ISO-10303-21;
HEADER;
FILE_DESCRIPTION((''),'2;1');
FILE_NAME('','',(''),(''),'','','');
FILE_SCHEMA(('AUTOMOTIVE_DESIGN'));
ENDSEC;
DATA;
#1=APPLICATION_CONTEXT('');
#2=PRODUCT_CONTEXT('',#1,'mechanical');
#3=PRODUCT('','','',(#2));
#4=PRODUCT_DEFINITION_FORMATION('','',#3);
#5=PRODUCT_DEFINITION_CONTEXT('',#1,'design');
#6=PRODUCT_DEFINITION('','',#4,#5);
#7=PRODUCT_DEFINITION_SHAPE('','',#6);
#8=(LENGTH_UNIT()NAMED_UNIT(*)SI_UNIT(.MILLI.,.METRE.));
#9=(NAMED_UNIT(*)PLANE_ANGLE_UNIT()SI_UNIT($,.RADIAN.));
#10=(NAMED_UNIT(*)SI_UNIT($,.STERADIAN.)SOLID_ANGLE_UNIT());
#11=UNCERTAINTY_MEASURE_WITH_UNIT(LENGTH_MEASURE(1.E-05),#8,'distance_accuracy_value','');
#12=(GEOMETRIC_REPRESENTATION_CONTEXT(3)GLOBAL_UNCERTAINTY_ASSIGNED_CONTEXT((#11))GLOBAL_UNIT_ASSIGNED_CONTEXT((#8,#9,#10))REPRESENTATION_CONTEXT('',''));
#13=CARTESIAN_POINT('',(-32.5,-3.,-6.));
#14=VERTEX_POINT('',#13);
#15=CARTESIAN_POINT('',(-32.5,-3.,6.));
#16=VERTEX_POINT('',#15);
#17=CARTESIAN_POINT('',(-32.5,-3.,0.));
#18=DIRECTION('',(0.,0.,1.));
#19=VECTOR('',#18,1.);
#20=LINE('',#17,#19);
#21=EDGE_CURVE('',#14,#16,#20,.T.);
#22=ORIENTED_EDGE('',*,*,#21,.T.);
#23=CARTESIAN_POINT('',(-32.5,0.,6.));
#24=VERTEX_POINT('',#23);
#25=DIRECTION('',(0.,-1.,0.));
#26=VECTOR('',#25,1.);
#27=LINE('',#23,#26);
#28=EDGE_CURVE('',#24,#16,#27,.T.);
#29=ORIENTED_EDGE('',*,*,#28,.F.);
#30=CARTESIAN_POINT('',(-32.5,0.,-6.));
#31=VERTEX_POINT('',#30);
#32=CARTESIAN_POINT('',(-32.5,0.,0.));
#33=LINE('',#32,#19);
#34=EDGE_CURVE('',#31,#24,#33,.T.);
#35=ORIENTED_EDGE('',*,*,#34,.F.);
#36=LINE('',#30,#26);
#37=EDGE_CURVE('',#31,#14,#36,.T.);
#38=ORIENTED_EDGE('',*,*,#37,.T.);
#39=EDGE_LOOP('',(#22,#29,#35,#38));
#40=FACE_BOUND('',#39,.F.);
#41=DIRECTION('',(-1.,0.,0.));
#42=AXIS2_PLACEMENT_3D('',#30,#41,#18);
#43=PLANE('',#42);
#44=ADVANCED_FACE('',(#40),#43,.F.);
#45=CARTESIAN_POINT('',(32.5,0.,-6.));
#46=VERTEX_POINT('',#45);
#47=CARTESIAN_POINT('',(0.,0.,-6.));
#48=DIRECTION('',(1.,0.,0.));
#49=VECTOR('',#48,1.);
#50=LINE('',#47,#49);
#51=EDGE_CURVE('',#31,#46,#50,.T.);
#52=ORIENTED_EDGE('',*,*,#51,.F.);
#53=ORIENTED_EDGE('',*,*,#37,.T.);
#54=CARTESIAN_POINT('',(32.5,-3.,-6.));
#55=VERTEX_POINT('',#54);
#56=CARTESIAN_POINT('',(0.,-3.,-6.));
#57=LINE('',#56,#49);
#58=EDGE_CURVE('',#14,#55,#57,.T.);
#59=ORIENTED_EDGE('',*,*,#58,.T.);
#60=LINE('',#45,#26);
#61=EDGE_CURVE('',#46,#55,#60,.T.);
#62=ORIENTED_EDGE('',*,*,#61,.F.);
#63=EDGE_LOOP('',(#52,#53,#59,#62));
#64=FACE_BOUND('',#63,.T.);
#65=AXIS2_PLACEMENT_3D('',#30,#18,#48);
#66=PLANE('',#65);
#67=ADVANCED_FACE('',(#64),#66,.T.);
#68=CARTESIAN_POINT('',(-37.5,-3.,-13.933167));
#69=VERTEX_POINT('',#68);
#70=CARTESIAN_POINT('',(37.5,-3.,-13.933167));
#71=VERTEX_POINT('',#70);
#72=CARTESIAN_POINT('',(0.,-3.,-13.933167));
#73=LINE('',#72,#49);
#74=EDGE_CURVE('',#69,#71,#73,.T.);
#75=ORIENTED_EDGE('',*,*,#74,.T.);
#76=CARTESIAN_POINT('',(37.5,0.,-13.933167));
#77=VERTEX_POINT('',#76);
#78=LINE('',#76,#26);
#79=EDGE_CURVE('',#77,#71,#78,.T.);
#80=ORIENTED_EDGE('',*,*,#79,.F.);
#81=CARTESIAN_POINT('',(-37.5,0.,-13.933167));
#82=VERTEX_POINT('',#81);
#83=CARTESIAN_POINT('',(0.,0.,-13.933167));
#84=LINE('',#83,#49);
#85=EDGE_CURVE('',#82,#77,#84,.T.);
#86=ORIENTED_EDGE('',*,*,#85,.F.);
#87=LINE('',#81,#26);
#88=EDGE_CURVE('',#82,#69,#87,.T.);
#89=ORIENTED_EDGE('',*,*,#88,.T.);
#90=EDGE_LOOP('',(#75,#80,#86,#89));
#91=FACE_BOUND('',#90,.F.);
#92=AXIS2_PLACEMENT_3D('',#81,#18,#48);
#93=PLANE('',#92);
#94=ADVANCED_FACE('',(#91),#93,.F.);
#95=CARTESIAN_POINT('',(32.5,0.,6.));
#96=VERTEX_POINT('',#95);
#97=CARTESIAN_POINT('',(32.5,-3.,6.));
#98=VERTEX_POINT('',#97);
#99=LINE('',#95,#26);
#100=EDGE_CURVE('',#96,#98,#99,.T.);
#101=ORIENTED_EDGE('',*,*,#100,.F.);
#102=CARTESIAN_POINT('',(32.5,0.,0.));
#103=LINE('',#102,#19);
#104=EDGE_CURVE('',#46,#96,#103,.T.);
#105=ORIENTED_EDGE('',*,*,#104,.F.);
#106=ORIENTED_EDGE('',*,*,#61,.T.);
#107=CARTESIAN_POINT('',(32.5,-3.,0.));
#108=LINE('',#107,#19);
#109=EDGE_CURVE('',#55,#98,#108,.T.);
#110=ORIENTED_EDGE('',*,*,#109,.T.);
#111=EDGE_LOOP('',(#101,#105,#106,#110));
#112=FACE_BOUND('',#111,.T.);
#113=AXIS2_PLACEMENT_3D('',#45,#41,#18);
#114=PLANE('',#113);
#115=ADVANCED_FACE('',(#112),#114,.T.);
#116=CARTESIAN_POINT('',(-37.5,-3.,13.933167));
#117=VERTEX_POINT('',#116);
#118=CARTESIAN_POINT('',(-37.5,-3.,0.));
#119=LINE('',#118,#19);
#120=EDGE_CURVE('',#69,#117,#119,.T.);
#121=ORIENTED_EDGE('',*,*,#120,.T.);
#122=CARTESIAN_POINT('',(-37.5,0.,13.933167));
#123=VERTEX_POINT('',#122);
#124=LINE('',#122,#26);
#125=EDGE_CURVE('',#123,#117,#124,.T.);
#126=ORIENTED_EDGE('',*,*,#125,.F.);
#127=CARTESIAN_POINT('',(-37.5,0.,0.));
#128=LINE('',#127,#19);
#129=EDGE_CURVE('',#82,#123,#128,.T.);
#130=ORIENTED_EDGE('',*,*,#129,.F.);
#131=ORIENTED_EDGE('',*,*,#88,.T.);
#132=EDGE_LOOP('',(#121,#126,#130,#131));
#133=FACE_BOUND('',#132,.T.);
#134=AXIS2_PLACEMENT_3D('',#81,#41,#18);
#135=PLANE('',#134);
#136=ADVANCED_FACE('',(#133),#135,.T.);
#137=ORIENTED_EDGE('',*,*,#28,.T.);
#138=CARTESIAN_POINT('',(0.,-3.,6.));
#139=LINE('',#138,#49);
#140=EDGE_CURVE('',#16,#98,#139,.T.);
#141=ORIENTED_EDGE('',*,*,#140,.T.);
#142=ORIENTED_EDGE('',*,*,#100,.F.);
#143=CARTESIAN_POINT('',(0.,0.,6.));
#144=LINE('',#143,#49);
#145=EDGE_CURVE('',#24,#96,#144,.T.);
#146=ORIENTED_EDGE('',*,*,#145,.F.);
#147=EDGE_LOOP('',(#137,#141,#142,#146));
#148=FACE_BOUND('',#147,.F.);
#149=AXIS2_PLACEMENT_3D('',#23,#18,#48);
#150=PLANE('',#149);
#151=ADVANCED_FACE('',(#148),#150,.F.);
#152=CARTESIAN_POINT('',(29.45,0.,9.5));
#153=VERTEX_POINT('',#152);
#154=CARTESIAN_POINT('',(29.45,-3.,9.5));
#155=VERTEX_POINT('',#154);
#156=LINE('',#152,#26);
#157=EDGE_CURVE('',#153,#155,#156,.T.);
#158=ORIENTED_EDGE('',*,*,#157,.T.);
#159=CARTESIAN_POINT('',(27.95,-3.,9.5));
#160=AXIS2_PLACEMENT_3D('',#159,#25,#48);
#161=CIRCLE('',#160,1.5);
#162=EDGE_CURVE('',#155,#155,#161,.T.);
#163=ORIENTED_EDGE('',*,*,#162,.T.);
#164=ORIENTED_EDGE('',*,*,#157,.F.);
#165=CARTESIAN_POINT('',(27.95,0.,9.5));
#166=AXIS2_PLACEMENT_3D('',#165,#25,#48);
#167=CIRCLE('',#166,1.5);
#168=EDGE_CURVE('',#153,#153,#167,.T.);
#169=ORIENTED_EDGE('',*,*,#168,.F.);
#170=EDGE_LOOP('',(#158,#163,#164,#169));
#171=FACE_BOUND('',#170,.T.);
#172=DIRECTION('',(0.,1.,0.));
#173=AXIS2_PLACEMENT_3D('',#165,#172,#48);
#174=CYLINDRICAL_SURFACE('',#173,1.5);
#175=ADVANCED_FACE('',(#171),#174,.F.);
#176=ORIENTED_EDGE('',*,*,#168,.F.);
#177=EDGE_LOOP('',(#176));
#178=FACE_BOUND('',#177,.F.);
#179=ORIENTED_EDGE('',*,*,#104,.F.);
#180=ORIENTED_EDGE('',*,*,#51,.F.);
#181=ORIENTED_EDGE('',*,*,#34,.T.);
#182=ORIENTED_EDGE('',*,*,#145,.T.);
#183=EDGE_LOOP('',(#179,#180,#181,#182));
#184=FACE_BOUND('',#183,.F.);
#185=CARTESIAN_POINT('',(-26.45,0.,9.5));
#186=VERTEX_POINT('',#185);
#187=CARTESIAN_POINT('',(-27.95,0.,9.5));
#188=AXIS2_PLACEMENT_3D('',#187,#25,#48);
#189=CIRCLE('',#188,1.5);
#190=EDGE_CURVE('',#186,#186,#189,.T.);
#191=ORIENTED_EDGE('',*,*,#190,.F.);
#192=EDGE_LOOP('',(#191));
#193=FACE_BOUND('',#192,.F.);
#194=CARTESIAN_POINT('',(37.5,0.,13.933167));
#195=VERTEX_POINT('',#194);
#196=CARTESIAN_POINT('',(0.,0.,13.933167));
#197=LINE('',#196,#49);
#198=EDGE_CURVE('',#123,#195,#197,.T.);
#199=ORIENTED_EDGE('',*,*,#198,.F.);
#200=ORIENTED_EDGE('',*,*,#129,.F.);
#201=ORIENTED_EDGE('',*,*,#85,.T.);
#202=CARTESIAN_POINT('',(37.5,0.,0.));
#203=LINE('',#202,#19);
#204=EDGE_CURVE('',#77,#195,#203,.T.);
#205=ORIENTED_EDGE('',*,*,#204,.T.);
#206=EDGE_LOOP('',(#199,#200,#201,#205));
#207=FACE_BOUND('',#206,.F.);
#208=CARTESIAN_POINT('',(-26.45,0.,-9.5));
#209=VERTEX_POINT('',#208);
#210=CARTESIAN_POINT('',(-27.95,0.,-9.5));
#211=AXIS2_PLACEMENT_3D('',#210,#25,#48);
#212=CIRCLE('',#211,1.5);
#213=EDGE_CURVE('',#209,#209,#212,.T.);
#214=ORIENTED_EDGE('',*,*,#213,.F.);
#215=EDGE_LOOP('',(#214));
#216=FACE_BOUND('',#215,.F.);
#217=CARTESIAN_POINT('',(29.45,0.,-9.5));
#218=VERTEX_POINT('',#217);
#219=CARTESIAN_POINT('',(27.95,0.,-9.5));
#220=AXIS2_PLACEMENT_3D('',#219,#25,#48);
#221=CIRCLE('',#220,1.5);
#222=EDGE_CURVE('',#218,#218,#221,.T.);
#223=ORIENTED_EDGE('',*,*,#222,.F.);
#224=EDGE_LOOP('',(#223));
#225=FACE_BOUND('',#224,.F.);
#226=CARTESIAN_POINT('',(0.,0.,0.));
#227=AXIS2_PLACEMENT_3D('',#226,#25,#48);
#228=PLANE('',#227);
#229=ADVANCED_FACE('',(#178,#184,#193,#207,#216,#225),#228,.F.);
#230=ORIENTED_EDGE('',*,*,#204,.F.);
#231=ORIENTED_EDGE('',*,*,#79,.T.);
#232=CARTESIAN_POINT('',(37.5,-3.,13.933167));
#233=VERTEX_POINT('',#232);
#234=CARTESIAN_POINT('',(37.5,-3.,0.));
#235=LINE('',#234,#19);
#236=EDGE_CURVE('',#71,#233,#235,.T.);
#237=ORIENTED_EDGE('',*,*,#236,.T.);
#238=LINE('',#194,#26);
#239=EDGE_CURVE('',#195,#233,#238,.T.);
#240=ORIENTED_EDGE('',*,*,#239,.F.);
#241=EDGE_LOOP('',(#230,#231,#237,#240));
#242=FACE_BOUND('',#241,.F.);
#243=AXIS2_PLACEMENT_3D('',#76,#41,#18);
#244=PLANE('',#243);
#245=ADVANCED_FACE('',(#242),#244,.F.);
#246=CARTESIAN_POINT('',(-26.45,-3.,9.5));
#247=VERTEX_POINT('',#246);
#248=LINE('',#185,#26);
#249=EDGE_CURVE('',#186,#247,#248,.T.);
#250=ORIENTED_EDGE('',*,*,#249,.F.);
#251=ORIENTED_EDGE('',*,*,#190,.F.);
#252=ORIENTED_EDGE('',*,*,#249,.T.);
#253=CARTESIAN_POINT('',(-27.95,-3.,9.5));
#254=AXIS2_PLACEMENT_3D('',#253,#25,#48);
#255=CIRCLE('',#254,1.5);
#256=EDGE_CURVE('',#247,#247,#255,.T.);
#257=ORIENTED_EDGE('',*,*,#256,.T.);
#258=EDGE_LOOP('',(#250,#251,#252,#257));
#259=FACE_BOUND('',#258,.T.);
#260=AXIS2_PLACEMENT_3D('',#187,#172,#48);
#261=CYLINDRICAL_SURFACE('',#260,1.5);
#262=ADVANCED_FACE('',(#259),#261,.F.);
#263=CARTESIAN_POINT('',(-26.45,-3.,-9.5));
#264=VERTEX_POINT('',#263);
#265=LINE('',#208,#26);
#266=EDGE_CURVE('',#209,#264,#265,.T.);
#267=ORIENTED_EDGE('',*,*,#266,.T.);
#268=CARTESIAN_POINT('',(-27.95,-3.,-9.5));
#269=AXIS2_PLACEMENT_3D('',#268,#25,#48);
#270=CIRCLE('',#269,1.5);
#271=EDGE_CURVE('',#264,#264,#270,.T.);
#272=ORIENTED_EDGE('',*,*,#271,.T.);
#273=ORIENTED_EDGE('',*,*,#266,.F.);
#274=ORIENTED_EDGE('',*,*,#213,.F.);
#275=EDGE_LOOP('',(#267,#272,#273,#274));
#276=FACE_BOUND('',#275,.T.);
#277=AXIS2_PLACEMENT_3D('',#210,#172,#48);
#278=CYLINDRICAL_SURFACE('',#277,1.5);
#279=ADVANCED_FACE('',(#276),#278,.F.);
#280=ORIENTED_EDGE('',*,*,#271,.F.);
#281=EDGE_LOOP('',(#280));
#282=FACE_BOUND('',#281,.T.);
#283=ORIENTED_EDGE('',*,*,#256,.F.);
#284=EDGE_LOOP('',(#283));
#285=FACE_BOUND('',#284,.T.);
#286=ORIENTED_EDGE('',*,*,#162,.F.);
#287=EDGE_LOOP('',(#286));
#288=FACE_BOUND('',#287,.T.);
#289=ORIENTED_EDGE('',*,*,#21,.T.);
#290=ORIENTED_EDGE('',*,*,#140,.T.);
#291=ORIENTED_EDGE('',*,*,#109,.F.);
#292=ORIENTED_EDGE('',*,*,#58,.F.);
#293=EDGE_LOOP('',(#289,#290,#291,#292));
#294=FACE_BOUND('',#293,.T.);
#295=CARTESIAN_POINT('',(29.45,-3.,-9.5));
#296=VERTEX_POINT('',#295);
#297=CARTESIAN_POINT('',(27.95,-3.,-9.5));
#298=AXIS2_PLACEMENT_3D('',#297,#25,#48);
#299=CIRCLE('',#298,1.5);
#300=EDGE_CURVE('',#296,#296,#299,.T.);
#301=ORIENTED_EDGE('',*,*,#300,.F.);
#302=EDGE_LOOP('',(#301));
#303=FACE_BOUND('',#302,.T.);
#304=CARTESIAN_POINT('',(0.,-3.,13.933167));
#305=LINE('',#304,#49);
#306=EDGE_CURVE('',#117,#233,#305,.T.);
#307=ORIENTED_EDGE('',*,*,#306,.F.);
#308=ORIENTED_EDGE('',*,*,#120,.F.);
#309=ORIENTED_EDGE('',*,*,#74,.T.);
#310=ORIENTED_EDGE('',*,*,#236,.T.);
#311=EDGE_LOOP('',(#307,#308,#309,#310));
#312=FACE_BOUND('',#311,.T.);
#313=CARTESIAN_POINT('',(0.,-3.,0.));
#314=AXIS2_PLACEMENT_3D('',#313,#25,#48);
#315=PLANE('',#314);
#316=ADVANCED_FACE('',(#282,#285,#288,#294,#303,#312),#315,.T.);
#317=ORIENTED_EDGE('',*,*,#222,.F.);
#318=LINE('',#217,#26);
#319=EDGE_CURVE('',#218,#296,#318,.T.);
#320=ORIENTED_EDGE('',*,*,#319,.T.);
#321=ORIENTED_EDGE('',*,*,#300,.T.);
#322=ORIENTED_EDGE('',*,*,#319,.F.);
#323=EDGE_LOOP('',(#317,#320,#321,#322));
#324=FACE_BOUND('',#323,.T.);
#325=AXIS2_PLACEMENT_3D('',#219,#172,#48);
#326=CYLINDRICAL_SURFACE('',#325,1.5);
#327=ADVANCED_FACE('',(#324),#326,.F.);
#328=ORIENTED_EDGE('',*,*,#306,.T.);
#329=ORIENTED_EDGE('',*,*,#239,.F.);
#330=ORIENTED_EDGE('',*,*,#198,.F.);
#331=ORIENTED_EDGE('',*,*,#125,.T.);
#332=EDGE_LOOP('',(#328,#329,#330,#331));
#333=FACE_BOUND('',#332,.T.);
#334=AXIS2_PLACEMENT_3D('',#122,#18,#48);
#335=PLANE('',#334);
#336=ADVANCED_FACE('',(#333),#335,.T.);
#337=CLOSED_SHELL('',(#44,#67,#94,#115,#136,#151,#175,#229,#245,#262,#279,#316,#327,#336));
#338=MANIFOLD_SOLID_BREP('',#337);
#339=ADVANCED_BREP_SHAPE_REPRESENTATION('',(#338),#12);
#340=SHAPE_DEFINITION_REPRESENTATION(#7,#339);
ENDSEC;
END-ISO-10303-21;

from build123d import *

# Parameters (mm, degrees)
F0_W     = 75
F0_H     = 27.866334
F0_R     = 1.5
F0_W_2   = 65
F0_H_2   = 12
F1_DEPTH = 3


with BuildPart() as f1:
    # F0 (on Front) → F1 (new body)
    with BuildSketch(Plane.XZ):
        Rectangle(F0_W, F0_H)
        with Locations((-27.95, -9.5)):
            Circle(F0_R, mode=Mode.SUBTRACT)
        with Locations((27.95, -9.5)):
            Circle(F0_R, mode=Mode.SUBTRACT)
        with Locations((-27.95, 9.5)):
            Circle(F0_R, mode=Mode.SUBTRACT)
        Rectangle(F0_W_2, F0_H_2, mode=Mode.SUBTRACT)
        with Locations((27.95, 9.5)):
            Circle(F0_R, mode=Mode.SUBTRACT)
    extrude(amount=F1_DEPTH)


solid = f1.part
